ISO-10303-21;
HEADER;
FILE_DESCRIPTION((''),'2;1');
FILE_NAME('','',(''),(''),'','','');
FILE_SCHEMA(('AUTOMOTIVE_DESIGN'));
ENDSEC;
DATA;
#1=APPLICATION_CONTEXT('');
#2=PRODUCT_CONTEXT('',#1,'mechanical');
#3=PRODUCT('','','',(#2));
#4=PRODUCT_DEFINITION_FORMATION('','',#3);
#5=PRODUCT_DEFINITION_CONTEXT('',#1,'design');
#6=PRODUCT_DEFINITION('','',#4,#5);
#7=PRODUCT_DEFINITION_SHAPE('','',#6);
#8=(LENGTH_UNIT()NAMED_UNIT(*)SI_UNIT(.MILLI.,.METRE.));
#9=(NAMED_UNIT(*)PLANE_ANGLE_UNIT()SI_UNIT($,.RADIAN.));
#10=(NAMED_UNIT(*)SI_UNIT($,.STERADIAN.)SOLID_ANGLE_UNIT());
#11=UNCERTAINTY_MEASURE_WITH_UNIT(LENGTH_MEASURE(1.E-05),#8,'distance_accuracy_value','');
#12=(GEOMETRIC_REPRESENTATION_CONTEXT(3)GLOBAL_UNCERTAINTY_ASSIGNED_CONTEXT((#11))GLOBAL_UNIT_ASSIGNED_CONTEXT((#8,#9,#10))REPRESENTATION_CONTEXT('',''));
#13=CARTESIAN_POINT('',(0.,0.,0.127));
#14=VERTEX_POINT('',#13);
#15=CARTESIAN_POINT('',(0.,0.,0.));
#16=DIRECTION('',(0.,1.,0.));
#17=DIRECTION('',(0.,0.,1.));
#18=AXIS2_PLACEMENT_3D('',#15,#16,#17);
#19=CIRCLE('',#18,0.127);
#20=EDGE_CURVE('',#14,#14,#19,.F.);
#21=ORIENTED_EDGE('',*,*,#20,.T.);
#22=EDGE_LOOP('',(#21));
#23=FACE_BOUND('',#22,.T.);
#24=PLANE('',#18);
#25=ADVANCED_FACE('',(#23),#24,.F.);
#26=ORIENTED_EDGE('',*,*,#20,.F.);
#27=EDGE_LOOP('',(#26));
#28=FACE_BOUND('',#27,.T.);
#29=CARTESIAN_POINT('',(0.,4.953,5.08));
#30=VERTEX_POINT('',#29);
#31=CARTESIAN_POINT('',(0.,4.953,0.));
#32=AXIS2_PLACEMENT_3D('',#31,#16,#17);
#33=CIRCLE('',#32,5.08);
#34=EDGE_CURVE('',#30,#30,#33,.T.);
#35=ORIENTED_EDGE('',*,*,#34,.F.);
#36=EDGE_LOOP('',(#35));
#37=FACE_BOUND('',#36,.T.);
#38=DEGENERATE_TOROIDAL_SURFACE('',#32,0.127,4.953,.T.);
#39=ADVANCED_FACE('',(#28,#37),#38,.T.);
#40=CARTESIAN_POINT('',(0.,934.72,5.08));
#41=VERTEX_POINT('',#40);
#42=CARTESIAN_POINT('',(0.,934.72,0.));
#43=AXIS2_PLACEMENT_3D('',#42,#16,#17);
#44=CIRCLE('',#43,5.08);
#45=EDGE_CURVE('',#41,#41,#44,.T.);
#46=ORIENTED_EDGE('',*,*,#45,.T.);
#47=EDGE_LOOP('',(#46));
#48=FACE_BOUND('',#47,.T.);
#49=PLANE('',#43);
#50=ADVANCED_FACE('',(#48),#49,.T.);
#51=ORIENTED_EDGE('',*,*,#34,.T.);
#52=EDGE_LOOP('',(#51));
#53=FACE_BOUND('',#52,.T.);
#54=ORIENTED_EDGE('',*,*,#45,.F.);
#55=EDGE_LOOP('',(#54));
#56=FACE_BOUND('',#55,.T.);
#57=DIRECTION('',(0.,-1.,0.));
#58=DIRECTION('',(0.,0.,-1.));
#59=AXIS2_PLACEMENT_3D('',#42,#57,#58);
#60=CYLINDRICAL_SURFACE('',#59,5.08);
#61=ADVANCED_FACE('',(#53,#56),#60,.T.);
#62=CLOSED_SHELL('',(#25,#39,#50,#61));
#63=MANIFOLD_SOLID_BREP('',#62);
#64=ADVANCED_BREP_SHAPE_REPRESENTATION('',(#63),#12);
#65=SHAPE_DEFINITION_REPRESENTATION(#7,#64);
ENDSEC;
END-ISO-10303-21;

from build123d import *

# Parameters (mm, degrees)
SKETCH1_R           = 5.08
BOSS_EXTRUDE1_DEPTH = 934.72
FILLET1_R           = 4.953


with BuildPart() as part:
    # Sketch1 → Boss-Extrude1 (new body)
    with BuildSketch(Plane(origin=(0, 0, 0), x_dir=(1, 0, 0), z_dir=(0, 1, 0))):
        Circle(SKETCH1_R)
    extrude(amount=BOSS_EXTRUDE1_DEPTH)

    # Fillet1
    fillet1_edges = [part.edges().sort_by_distance(p)[0] for p in [
        (-5.08, 0, 0),
    ]]
    fillet(fillet1_edges, radius=FILLET1_R)


solid = part.part
